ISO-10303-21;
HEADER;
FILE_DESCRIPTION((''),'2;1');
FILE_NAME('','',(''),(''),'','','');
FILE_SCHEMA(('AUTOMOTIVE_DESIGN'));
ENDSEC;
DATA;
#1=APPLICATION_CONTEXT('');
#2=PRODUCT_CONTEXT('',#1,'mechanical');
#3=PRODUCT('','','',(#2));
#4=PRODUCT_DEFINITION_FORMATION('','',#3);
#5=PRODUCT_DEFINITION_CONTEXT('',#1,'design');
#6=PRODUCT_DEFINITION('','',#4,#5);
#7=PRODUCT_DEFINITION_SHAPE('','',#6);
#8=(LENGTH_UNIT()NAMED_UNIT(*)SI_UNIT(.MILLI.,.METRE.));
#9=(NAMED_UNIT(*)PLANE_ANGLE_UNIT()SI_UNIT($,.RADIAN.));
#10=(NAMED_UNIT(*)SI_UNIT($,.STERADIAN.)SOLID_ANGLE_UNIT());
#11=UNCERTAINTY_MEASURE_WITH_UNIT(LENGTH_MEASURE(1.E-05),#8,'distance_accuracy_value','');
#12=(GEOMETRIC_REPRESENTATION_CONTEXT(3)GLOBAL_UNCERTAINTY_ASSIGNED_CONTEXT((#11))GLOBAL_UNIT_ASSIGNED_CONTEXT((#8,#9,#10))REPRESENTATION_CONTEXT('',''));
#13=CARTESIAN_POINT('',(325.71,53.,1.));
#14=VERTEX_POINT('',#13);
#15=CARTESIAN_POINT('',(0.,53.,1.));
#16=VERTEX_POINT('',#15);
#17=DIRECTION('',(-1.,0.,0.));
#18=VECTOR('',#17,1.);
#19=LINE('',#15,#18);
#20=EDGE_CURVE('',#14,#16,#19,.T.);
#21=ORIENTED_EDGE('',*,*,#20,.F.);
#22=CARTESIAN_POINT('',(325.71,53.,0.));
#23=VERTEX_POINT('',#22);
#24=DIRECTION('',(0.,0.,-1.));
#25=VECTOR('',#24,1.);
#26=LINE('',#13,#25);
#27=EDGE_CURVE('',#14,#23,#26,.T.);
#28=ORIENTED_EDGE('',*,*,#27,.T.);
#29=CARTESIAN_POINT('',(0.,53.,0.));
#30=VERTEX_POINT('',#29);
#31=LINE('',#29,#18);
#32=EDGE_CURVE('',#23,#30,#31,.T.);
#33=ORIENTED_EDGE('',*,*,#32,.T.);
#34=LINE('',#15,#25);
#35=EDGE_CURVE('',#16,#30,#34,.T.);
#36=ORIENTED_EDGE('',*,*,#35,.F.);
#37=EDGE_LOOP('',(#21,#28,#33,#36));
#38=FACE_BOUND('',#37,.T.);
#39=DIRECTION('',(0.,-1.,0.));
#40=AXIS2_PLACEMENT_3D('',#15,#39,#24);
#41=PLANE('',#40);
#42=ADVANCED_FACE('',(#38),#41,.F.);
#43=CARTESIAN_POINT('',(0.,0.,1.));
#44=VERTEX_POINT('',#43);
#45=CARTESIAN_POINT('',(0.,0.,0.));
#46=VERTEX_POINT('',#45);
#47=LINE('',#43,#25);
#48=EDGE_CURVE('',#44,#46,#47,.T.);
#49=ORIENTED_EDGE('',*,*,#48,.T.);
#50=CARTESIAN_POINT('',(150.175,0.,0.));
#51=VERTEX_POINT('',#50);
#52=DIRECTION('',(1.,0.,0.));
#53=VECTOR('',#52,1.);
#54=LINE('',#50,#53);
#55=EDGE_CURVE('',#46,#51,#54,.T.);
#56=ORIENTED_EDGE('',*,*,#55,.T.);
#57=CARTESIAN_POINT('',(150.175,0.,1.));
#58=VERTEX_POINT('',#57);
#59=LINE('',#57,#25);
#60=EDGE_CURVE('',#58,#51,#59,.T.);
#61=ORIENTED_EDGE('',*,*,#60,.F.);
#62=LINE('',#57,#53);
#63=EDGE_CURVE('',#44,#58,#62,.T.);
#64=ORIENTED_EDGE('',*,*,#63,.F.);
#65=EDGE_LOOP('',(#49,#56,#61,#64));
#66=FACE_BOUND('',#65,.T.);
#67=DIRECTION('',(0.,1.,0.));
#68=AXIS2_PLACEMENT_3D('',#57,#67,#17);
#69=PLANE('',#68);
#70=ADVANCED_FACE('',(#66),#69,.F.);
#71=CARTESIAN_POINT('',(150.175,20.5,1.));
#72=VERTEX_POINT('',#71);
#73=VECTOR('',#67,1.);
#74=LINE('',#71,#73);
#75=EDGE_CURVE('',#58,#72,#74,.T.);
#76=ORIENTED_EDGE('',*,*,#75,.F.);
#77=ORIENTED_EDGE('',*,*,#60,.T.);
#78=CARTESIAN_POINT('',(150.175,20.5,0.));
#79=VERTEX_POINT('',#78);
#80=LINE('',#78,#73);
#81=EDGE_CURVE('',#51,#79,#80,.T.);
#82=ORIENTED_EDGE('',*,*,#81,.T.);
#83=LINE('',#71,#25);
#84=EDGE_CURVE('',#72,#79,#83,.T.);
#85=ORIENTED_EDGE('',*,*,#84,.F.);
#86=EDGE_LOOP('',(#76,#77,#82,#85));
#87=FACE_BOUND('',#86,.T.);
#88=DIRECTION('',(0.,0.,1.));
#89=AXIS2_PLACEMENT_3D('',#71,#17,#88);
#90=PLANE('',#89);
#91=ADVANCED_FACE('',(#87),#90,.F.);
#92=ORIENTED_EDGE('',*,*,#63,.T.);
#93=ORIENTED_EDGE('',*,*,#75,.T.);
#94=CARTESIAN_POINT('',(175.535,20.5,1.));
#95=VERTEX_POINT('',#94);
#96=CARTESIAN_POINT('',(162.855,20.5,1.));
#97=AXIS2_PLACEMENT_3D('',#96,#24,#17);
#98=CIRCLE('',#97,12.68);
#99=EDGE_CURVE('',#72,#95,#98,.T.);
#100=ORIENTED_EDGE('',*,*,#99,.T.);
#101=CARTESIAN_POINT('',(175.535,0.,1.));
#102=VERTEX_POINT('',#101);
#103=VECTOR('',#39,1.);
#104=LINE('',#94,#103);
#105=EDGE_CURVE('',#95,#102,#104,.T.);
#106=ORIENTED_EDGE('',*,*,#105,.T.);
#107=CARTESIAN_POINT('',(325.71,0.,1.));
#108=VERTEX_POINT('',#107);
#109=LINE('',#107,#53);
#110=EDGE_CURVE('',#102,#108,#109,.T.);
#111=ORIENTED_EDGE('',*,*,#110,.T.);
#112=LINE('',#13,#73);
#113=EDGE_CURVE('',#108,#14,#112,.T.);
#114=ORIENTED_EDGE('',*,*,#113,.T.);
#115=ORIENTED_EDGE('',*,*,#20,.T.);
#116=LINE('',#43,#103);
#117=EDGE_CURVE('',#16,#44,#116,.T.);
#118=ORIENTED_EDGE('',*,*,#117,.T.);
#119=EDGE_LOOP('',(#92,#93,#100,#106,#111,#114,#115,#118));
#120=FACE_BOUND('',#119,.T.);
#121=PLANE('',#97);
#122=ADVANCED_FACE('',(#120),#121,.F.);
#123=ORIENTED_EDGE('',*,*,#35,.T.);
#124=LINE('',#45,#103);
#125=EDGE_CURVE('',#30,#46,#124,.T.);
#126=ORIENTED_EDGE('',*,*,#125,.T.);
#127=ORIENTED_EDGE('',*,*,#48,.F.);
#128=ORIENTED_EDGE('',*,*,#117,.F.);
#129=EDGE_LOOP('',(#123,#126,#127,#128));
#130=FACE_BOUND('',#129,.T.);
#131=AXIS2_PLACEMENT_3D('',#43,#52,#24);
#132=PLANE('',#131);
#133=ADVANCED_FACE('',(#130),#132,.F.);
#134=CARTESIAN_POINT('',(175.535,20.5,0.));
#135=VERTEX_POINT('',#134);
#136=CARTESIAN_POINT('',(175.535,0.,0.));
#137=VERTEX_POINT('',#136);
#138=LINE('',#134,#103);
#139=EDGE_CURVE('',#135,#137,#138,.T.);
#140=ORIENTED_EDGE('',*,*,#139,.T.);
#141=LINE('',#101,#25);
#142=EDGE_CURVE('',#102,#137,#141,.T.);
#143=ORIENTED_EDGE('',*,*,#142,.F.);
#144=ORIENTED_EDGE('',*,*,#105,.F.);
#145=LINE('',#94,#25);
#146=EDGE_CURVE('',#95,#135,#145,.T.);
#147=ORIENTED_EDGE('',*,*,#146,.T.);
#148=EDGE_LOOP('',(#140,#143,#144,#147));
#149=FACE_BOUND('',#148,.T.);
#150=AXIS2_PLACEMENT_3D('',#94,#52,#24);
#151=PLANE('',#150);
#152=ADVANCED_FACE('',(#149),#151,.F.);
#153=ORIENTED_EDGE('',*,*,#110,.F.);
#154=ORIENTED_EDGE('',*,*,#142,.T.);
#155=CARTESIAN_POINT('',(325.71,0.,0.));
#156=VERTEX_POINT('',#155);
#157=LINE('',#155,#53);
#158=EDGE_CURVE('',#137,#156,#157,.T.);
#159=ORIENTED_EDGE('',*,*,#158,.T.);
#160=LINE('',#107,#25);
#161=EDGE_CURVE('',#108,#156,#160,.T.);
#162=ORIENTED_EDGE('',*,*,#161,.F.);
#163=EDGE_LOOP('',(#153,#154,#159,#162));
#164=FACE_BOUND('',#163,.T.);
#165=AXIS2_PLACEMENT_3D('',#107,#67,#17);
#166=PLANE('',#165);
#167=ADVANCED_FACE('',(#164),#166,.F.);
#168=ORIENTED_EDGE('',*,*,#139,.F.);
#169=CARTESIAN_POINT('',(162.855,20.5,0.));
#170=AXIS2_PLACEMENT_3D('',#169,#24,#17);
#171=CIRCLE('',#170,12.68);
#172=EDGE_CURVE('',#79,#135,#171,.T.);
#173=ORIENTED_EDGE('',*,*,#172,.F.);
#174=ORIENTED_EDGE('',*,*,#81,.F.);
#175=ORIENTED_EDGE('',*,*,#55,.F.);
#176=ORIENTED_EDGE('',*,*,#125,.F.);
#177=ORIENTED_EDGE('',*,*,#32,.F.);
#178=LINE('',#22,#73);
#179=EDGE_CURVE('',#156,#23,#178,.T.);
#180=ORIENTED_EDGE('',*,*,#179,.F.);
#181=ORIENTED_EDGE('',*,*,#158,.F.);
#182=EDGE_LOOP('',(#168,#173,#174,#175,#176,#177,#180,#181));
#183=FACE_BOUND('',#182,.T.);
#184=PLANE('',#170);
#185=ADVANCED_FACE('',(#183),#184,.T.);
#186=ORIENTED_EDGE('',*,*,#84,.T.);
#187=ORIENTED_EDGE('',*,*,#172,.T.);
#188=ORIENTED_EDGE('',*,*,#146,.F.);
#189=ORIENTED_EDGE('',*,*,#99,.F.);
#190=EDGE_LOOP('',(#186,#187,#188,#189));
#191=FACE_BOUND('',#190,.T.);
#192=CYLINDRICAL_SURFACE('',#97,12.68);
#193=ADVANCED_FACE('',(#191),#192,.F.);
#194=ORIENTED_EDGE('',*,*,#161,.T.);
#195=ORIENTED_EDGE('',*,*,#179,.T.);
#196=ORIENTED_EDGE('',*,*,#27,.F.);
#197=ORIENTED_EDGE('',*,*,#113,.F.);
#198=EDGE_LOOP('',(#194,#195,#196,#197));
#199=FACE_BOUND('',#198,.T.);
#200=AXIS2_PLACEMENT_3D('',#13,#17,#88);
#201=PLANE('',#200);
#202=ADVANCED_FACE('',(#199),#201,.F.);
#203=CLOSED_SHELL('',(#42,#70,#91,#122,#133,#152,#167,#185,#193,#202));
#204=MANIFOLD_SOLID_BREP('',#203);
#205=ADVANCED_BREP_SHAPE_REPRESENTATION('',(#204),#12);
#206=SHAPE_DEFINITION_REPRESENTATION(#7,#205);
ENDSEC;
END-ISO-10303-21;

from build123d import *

# Parameters (mm, degrees)
BOSS_EXTRUDE1_DEPTH = 1


with BuildPart() as part:
    # Sketch1 → Boss-Extrude1 (new body)
    with BuildSketch(Plane.XY):
        with BuildLine():
            Line((0, 0), (0, 53))
            Line((0, 53), (325.71, 53))
            Line((325.71, 53), (325.71, 0))
            Line((325.71, 0), (175.535, 0))
            Line((175.535, 0), (175.535, 20.5))
            ThreePointArc((175.535, 20.5), (162.855, 33.18), (150.175, 20.5))
            Line((150.175, 20.5), (150.175, 0))
            Line((150.175, 0), (0, 0))
        make_face()
    extrude(amount=BOSS_EXTRUDE1_DEPTH)


solid = part.part
